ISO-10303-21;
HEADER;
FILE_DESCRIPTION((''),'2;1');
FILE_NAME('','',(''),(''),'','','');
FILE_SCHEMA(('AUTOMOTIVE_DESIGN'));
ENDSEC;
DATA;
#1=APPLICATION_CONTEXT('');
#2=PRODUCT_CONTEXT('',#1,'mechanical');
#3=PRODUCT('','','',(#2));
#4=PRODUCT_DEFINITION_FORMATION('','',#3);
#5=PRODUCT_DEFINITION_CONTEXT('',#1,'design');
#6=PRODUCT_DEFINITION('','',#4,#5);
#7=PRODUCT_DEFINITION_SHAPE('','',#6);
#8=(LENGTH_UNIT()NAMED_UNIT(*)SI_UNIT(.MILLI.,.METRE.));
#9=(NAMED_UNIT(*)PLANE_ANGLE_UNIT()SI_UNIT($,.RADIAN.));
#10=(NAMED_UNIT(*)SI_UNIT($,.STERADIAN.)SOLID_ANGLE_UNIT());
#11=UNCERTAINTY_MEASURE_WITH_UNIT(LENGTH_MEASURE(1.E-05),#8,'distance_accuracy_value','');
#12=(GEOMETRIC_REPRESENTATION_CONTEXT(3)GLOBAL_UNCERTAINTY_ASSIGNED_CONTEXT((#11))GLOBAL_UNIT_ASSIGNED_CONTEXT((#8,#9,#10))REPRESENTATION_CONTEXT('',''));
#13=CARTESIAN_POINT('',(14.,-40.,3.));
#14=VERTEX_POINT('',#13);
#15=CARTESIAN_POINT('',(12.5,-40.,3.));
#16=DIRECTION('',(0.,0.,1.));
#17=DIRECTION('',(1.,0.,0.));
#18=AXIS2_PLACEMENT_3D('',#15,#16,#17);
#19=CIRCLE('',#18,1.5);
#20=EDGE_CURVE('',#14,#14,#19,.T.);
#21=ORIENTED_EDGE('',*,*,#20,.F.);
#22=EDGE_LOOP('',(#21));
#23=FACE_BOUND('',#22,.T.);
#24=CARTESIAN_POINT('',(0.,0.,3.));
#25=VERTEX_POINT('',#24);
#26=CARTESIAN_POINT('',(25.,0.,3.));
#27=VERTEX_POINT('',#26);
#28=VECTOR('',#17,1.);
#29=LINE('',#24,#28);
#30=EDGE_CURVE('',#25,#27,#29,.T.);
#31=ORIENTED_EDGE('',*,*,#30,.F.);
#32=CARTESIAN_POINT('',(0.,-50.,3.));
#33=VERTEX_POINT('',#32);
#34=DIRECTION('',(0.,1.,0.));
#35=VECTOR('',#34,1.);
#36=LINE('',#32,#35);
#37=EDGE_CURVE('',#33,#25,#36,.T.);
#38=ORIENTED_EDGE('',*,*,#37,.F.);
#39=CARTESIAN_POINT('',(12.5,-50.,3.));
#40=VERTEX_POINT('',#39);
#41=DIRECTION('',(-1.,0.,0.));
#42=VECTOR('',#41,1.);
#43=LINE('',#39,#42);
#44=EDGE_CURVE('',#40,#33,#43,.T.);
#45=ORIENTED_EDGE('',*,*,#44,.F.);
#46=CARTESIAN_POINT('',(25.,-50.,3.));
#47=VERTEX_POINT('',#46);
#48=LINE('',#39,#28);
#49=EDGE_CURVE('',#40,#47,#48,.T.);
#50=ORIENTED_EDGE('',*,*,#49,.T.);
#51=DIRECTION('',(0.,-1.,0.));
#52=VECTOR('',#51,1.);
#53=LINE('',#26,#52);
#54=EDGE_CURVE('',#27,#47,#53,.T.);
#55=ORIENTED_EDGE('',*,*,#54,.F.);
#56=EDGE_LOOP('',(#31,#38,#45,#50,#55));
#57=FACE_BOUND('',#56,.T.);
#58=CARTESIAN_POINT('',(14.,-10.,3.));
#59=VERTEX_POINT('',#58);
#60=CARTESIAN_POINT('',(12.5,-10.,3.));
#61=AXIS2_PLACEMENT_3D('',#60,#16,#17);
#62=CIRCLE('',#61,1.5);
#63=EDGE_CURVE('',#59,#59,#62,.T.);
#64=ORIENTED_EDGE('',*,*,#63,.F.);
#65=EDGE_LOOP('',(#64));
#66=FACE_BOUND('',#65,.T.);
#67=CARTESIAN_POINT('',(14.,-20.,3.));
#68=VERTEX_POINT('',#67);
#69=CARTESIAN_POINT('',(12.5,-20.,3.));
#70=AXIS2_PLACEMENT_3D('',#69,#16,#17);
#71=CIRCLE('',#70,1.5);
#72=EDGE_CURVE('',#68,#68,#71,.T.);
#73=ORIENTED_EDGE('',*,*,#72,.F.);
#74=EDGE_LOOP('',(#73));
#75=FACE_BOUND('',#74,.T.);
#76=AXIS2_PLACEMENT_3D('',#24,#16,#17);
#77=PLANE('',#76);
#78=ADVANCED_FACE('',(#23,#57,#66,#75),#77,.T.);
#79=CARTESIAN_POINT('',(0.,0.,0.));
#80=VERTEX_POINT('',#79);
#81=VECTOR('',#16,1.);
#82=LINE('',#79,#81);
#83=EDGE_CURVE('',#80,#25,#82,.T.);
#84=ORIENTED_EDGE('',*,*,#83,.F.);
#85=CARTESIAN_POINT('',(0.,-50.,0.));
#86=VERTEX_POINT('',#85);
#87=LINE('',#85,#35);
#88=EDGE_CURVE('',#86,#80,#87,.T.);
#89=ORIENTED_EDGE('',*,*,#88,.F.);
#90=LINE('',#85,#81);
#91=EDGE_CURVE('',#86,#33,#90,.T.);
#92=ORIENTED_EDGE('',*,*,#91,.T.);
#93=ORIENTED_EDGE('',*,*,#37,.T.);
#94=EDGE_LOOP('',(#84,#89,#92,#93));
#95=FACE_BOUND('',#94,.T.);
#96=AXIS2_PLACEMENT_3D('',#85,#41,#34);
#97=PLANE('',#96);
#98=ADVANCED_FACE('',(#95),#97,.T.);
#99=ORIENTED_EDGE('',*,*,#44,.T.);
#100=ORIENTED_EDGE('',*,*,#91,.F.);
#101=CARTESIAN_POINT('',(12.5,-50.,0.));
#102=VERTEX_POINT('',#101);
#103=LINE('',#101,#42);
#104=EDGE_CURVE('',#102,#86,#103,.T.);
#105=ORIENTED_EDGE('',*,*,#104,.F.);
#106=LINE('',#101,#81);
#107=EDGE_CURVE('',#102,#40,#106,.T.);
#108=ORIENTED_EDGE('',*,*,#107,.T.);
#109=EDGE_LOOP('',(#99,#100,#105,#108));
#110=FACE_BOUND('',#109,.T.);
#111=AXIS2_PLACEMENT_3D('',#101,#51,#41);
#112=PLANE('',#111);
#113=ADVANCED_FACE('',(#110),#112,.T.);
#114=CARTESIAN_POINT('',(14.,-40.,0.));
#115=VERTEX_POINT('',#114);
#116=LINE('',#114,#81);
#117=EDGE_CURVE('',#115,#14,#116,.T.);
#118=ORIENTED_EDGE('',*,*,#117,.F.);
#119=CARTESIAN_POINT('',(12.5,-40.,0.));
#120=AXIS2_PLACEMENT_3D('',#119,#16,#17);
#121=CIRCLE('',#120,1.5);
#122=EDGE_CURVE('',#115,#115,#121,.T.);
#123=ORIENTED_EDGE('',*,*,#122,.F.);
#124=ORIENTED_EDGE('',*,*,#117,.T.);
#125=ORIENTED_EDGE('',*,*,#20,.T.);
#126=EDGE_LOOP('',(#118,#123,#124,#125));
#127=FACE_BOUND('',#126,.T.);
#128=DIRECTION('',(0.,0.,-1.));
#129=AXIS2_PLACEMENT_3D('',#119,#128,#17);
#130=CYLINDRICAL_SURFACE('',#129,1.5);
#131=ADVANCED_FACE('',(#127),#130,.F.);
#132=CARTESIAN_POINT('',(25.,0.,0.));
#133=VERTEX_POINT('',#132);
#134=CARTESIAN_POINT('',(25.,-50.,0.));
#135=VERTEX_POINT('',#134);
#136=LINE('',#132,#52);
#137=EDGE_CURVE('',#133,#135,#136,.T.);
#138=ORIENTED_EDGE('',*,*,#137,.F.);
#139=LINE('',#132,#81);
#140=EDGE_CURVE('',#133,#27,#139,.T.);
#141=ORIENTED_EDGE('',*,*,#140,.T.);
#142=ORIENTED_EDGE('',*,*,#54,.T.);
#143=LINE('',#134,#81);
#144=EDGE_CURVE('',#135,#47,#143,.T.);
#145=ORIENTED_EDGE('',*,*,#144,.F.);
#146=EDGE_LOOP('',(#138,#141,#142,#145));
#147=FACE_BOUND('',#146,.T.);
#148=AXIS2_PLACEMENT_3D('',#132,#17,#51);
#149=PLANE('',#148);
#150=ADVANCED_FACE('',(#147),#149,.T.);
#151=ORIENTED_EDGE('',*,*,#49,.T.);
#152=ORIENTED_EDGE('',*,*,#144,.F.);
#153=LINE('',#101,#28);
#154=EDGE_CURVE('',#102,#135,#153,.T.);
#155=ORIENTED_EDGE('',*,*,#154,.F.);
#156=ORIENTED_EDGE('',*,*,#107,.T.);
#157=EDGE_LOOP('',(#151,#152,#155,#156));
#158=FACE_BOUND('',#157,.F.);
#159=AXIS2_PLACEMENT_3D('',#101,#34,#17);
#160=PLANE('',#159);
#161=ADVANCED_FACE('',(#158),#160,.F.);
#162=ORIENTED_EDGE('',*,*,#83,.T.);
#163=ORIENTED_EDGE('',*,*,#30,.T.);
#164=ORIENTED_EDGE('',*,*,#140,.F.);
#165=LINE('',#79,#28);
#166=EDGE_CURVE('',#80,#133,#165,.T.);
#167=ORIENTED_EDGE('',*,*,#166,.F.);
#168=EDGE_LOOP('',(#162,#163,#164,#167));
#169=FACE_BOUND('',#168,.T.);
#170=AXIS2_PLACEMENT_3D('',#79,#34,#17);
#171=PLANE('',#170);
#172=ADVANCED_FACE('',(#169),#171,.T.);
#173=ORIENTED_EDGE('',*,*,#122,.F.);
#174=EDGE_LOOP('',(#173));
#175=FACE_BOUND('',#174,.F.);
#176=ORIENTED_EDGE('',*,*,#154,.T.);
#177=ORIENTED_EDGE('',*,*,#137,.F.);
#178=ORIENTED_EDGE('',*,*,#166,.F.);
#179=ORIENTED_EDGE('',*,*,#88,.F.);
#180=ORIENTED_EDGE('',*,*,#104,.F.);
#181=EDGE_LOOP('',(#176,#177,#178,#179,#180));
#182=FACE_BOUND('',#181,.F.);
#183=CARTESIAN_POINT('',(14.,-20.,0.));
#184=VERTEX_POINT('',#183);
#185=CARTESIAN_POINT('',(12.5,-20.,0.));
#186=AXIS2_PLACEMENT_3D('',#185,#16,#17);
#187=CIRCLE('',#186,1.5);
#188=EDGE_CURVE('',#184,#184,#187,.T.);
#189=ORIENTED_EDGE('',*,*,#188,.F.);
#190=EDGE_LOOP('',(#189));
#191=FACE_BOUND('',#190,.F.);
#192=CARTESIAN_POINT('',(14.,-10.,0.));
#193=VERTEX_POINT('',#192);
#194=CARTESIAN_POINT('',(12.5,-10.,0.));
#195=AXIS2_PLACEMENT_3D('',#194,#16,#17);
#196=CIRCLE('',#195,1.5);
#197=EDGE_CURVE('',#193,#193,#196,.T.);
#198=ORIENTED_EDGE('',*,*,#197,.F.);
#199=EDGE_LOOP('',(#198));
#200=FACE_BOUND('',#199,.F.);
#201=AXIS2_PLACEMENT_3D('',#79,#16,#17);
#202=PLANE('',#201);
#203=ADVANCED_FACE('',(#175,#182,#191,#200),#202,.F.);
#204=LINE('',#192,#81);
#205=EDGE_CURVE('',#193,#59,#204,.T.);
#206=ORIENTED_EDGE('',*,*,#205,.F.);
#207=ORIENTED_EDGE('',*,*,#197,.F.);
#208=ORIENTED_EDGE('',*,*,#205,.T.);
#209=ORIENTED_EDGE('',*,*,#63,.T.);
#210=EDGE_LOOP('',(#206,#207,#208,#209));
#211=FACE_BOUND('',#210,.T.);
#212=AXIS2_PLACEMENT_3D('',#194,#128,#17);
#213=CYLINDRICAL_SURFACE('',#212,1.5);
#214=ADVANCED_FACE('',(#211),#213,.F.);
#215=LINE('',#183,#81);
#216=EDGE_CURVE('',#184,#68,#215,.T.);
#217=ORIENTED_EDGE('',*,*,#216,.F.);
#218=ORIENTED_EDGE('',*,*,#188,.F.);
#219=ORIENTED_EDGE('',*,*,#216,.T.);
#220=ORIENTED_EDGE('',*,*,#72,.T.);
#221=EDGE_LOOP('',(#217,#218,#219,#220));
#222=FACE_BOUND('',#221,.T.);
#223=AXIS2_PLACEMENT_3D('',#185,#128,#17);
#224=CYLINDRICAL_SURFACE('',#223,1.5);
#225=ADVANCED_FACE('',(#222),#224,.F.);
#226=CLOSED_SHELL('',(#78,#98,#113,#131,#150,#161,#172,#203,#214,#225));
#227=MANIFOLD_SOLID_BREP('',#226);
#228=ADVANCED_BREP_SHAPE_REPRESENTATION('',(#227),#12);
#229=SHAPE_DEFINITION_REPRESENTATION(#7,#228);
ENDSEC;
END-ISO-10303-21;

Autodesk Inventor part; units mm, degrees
ref_plane "YZ Plane" through (0, 0, 0) normal (1, 0, 0) x (0, 1, 0)
ref_plane "XZ Plane" through (0, 0, 0) normal (0, 1, 0) x (-1, 0, 0)
ref_plane "XY Plane" through (0, 0, 0) normal (0, 0, 1) x (1, 0, 0)
sketch "Sketch1" plane through (0, 0, 0) normal (0, 0, 1) x (1, 0, 0)
  line L0 (0, 0) -> (25, 0)
  line L1 (25, 0) -> (25, -50)
  line L2 (0, -50) -> (0, 0)
  circle A0 centre (12.5, -40) radius 1.5
  circle A1 centre (12.5, -20) radius 1.5
  circle A2 centre (12.5, -10) radius 1.5
  line L3 (12.5, -50) -> (0, -50)
  line L4 (12.5, -50) -> (25, -50)
  dimension "d6" = 3
  dimension "d7" = 3
extrude "Extrusion1" add sketch "Sketch1" along normal blind 3
properties part number "plat sim"
